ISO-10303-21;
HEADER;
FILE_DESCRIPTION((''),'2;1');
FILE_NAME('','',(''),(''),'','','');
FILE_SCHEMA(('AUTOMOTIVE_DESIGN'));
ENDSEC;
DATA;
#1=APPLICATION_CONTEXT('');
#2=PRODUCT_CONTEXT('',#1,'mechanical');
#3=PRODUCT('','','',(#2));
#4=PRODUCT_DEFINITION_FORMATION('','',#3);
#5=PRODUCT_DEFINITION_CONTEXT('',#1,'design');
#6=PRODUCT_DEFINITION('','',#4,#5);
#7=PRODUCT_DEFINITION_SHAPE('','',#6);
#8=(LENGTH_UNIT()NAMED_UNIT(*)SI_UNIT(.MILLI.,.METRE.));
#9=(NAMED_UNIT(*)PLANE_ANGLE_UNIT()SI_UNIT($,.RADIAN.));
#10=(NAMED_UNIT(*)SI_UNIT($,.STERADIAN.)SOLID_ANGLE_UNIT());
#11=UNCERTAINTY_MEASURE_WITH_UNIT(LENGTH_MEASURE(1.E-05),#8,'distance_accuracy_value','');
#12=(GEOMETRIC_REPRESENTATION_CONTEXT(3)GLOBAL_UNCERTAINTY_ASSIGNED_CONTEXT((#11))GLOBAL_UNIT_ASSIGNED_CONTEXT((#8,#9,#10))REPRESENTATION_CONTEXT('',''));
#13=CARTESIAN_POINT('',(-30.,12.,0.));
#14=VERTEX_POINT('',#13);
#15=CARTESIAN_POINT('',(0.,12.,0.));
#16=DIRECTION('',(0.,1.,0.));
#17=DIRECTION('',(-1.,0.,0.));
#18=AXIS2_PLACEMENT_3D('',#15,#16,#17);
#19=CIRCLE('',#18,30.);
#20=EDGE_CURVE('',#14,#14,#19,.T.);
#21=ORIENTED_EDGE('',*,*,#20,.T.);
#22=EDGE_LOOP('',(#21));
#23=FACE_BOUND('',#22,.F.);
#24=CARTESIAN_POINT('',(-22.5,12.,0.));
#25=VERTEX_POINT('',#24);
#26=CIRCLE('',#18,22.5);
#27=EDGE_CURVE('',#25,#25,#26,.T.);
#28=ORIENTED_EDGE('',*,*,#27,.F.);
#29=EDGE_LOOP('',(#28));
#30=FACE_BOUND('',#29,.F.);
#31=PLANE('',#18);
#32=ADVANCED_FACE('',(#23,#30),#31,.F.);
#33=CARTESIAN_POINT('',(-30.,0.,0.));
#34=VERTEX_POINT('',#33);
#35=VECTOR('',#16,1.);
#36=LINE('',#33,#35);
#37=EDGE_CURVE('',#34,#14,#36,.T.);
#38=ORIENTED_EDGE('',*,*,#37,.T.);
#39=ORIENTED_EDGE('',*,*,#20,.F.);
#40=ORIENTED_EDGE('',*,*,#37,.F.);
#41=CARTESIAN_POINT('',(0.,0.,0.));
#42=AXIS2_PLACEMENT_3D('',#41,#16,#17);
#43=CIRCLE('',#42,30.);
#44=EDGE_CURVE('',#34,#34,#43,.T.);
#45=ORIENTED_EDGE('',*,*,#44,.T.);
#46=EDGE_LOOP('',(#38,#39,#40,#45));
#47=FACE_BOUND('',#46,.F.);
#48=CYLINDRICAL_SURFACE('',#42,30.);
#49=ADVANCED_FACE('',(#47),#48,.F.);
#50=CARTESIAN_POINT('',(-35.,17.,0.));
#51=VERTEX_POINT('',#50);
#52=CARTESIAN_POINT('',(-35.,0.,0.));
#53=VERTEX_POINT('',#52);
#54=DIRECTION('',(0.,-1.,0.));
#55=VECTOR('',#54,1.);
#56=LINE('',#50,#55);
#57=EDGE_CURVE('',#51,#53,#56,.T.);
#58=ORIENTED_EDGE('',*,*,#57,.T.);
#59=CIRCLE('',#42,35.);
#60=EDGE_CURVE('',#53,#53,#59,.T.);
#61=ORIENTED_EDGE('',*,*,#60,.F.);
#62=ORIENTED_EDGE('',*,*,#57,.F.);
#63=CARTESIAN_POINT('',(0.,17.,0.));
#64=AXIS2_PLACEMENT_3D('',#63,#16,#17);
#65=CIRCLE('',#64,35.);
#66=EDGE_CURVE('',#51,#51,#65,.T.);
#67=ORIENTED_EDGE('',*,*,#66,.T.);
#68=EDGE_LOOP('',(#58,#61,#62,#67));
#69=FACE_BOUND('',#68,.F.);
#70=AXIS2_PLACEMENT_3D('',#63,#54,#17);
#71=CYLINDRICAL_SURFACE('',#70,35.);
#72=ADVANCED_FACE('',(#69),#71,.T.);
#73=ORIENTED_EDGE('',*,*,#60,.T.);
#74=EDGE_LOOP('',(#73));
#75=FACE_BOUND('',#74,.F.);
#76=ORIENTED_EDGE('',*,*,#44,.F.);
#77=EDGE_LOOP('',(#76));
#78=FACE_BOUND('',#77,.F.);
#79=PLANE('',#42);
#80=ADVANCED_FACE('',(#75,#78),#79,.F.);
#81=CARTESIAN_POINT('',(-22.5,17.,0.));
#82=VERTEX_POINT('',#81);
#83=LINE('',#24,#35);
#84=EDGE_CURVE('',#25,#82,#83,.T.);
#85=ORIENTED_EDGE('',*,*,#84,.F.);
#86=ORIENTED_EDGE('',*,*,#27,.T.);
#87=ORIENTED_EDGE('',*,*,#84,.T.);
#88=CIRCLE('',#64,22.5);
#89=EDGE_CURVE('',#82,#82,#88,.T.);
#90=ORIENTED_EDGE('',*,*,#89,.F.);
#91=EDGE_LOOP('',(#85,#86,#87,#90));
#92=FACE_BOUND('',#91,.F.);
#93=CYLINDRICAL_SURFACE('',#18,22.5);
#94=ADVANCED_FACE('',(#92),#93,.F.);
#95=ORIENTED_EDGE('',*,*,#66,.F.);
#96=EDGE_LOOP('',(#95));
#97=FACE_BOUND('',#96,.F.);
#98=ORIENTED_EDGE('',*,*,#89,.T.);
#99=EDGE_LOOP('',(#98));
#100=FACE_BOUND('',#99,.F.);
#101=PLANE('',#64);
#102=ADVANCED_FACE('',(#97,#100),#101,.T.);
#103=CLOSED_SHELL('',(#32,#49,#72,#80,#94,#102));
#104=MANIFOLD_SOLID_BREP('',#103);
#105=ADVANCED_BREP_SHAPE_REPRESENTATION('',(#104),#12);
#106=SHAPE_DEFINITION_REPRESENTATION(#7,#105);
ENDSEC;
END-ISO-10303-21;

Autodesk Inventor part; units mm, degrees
ref_plane "YZ Plane" through (0, 0, 0) normal (1, 0, 0) x (0, 1, 0)
ref_plane "XZ Plane" through (0, 0, 0) normal (0, 1, 0) x (-1, 0, 0)
ref_plane "XY Plane" through (0, 0, 0) normal (0, 0, 1) x (1, 0, 0)
sketch "Sketch1" plane through (0, 0, 0) normal (0, 0, 1) x (1, 0, 0)
  line L0 (-30, 0) -> (-30, 12)
  line L1 (-30, 12) -> (-22.5, 12)
  line L2 (-22.5, 12) -> (-22.5, 17)
  line L3 (-22.5, 17) -> (-35, 17)
  line L4 (-35, 17) -> (-35, 0)
  line L5 (-35, 0) -> (-30, 0)
  line L6 (0, -3.4) -> (0, 20.4) projected
  point P0 (0, 0)
  dimension "d1" = 30
  dimension "d2" = 12
  dimension "d3" = 5
  dimension "d4" = 22.5
  dimension "d5" = 5
revolve "Revolution1" add sketch "Sketch1" angle 360 about axis through (0, -10, 0) along (0, 1, 0)
thread "Thread1" size "M60x1" class "6H" standard "ANSI Metric M Profile" full length
equation "\"d1\" = neck_thread_dia"
equation "\"d2\" = neck_thread_len"
equation "\"d4\" = 0.5 * oring_id"
equation "\"neck_thread_len\" = 12"
equation "\"neck_thread_dia\" = 30"
equation "\"oring_id\" = 45"
properties part number "nut" material "Brass"
